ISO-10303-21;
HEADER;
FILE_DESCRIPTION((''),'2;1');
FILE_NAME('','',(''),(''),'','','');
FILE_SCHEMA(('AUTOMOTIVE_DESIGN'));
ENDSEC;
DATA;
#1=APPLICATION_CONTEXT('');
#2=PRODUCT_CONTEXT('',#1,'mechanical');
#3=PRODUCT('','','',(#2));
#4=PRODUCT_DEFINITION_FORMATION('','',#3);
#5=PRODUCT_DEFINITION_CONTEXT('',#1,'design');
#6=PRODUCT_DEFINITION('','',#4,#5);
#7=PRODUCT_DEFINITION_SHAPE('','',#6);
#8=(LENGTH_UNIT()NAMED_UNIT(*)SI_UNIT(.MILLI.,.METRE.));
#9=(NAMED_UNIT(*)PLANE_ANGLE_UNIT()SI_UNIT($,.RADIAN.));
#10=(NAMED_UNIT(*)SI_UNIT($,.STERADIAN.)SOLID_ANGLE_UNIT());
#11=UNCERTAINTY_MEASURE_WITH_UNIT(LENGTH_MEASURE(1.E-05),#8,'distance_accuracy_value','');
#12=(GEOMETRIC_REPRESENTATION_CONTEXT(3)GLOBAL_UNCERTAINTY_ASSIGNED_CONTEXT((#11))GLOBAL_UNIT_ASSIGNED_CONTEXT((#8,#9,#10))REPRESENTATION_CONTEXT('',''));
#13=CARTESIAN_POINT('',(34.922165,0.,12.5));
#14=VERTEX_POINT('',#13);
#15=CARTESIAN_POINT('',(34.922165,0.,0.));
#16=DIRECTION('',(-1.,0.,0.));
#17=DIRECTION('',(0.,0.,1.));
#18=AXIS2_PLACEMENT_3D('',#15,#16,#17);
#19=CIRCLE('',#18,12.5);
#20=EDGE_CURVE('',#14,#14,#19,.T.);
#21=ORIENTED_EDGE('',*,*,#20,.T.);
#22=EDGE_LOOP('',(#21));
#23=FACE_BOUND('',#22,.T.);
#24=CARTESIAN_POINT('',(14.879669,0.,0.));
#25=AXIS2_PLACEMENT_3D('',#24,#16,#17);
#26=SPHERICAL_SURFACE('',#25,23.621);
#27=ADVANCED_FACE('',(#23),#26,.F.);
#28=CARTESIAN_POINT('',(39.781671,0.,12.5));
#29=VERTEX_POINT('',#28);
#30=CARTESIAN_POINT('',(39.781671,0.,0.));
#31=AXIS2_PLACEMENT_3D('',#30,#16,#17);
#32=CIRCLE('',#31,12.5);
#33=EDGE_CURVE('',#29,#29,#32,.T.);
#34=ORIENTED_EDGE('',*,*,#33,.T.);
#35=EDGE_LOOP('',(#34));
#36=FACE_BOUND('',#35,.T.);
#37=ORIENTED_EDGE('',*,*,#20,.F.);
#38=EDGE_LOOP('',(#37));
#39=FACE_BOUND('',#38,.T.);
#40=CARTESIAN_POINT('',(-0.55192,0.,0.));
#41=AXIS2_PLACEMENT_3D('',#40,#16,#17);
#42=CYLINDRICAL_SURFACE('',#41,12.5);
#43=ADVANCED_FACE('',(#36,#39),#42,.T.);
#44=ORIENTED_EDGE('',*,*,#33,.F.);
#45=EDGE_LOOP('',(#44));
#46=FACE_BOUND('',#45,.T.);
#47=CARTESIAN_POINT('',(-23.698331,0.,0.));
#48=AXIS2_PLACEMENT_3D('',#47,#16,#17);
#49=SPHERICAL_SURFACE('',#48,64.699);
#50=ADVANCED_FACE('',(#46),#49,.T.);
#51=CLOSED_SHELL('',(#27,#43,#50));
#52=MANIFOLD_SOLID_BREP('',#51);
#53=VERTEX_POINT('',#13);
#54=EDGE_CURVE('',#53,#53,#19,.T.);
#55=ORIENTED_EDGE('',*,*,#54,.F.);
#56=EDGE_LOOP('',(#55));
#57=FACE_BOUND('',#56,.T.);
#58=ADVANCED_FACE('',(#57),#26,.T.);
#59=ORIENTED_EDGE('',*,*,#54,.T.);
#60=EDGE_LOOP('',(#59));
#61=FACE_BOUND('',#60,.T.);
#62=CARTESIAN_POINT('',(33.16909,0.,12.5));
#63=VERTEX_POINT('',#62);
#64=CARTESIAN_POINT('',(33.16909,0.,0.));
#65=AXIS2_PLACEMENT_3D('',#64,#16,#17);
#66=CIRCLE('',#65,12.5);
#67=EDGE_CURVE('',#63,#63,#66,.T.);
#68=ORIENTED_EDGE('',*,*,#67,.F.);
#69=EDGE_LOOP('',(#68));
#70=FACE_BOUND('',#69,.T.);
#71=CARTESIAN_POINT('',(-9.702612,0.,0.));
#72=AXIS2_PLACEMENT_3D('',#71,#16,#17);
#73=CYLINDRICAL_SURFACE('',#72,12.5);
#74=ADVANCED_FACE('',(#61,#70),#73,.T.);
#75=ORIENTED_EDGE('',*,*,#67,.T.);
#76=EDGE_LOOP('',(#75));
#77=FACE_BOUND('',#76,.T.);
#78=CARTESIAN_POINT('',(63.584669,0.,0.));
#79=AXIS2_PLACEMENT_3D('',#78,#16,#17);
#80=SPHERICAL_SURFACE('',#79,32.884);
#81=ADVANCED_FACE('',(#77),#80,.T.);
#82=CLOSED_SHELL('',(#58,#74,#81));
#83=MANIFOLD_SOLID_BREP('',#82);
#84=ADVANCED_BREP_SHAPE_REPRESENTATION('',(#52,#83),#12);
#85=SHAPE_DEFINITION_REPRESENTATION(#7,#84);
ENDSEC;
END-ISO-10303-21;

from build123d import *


with BuildPart() as part:
    # 草图1 one side → 旋转1 (revolve)
    with BuildSketch(Plane(origin=(0, 0, 0), x_dir=(1, 0, 0), z_dir=(0, 1, 0)), mode=Mode.PRIVATE) as revolve_1_sk:
        with BuildLine():
            ThreePointArc((33.169089808, 12.5), (31.323675798, 6.370696614), (30.700668974, 0))
            Line((30.700668974, 0), (38.500668974, 0))
            ThreePointArc((38.500668974, 0), (37.588427594, 6.501070907), (34.922164851, 12.5))
            Line((34.922164851, 12.5), (33.169089808, 12.5))
        make_face()
    revolve(revolve_1_sk.sketch.rotate(Axis((-9.702612178, 0, 0), (1, 0, 0)), 180), axis=Axis((-9.702612178, 0, 0), (1, 0, 0)))  # turned: the seam where the file's is


with BuildPart() as body_2:
    # 草图2 one side → 旋转3 (revolve)
    with BuildSketch(Plane(origin=(0, 0, 0), x_dir=(1, 0, 0), z_dir=(0, 1, 0)), mode=Mode.PRIVATE) as revolve_3_sk:
        with BuildLine():
            Line((39.781670557, 12.5), (34.922164851, 12.5))
            ThreePointArc((34.922164851, 12.5), (37.588427594, 6.501070907), (38.500668974, 0))
            Line((38.500668974, 0), (41.000668974, 0))
            ThreePointArc((41.000668974, 0), (40.695198243, 6.279648819), (39.781670557, 12.5))
        make_face()
    revolve(revolve_3_sk.sketch.rotate(Axis((-0.551919993, 0, 0), (1, 0, 0)), 180), axis=Axis((-0.551919993, 0, 0), (1, 0, 0)))  # turned: the seam where the file's is


solid = Compound([part.part, body_2.part])
